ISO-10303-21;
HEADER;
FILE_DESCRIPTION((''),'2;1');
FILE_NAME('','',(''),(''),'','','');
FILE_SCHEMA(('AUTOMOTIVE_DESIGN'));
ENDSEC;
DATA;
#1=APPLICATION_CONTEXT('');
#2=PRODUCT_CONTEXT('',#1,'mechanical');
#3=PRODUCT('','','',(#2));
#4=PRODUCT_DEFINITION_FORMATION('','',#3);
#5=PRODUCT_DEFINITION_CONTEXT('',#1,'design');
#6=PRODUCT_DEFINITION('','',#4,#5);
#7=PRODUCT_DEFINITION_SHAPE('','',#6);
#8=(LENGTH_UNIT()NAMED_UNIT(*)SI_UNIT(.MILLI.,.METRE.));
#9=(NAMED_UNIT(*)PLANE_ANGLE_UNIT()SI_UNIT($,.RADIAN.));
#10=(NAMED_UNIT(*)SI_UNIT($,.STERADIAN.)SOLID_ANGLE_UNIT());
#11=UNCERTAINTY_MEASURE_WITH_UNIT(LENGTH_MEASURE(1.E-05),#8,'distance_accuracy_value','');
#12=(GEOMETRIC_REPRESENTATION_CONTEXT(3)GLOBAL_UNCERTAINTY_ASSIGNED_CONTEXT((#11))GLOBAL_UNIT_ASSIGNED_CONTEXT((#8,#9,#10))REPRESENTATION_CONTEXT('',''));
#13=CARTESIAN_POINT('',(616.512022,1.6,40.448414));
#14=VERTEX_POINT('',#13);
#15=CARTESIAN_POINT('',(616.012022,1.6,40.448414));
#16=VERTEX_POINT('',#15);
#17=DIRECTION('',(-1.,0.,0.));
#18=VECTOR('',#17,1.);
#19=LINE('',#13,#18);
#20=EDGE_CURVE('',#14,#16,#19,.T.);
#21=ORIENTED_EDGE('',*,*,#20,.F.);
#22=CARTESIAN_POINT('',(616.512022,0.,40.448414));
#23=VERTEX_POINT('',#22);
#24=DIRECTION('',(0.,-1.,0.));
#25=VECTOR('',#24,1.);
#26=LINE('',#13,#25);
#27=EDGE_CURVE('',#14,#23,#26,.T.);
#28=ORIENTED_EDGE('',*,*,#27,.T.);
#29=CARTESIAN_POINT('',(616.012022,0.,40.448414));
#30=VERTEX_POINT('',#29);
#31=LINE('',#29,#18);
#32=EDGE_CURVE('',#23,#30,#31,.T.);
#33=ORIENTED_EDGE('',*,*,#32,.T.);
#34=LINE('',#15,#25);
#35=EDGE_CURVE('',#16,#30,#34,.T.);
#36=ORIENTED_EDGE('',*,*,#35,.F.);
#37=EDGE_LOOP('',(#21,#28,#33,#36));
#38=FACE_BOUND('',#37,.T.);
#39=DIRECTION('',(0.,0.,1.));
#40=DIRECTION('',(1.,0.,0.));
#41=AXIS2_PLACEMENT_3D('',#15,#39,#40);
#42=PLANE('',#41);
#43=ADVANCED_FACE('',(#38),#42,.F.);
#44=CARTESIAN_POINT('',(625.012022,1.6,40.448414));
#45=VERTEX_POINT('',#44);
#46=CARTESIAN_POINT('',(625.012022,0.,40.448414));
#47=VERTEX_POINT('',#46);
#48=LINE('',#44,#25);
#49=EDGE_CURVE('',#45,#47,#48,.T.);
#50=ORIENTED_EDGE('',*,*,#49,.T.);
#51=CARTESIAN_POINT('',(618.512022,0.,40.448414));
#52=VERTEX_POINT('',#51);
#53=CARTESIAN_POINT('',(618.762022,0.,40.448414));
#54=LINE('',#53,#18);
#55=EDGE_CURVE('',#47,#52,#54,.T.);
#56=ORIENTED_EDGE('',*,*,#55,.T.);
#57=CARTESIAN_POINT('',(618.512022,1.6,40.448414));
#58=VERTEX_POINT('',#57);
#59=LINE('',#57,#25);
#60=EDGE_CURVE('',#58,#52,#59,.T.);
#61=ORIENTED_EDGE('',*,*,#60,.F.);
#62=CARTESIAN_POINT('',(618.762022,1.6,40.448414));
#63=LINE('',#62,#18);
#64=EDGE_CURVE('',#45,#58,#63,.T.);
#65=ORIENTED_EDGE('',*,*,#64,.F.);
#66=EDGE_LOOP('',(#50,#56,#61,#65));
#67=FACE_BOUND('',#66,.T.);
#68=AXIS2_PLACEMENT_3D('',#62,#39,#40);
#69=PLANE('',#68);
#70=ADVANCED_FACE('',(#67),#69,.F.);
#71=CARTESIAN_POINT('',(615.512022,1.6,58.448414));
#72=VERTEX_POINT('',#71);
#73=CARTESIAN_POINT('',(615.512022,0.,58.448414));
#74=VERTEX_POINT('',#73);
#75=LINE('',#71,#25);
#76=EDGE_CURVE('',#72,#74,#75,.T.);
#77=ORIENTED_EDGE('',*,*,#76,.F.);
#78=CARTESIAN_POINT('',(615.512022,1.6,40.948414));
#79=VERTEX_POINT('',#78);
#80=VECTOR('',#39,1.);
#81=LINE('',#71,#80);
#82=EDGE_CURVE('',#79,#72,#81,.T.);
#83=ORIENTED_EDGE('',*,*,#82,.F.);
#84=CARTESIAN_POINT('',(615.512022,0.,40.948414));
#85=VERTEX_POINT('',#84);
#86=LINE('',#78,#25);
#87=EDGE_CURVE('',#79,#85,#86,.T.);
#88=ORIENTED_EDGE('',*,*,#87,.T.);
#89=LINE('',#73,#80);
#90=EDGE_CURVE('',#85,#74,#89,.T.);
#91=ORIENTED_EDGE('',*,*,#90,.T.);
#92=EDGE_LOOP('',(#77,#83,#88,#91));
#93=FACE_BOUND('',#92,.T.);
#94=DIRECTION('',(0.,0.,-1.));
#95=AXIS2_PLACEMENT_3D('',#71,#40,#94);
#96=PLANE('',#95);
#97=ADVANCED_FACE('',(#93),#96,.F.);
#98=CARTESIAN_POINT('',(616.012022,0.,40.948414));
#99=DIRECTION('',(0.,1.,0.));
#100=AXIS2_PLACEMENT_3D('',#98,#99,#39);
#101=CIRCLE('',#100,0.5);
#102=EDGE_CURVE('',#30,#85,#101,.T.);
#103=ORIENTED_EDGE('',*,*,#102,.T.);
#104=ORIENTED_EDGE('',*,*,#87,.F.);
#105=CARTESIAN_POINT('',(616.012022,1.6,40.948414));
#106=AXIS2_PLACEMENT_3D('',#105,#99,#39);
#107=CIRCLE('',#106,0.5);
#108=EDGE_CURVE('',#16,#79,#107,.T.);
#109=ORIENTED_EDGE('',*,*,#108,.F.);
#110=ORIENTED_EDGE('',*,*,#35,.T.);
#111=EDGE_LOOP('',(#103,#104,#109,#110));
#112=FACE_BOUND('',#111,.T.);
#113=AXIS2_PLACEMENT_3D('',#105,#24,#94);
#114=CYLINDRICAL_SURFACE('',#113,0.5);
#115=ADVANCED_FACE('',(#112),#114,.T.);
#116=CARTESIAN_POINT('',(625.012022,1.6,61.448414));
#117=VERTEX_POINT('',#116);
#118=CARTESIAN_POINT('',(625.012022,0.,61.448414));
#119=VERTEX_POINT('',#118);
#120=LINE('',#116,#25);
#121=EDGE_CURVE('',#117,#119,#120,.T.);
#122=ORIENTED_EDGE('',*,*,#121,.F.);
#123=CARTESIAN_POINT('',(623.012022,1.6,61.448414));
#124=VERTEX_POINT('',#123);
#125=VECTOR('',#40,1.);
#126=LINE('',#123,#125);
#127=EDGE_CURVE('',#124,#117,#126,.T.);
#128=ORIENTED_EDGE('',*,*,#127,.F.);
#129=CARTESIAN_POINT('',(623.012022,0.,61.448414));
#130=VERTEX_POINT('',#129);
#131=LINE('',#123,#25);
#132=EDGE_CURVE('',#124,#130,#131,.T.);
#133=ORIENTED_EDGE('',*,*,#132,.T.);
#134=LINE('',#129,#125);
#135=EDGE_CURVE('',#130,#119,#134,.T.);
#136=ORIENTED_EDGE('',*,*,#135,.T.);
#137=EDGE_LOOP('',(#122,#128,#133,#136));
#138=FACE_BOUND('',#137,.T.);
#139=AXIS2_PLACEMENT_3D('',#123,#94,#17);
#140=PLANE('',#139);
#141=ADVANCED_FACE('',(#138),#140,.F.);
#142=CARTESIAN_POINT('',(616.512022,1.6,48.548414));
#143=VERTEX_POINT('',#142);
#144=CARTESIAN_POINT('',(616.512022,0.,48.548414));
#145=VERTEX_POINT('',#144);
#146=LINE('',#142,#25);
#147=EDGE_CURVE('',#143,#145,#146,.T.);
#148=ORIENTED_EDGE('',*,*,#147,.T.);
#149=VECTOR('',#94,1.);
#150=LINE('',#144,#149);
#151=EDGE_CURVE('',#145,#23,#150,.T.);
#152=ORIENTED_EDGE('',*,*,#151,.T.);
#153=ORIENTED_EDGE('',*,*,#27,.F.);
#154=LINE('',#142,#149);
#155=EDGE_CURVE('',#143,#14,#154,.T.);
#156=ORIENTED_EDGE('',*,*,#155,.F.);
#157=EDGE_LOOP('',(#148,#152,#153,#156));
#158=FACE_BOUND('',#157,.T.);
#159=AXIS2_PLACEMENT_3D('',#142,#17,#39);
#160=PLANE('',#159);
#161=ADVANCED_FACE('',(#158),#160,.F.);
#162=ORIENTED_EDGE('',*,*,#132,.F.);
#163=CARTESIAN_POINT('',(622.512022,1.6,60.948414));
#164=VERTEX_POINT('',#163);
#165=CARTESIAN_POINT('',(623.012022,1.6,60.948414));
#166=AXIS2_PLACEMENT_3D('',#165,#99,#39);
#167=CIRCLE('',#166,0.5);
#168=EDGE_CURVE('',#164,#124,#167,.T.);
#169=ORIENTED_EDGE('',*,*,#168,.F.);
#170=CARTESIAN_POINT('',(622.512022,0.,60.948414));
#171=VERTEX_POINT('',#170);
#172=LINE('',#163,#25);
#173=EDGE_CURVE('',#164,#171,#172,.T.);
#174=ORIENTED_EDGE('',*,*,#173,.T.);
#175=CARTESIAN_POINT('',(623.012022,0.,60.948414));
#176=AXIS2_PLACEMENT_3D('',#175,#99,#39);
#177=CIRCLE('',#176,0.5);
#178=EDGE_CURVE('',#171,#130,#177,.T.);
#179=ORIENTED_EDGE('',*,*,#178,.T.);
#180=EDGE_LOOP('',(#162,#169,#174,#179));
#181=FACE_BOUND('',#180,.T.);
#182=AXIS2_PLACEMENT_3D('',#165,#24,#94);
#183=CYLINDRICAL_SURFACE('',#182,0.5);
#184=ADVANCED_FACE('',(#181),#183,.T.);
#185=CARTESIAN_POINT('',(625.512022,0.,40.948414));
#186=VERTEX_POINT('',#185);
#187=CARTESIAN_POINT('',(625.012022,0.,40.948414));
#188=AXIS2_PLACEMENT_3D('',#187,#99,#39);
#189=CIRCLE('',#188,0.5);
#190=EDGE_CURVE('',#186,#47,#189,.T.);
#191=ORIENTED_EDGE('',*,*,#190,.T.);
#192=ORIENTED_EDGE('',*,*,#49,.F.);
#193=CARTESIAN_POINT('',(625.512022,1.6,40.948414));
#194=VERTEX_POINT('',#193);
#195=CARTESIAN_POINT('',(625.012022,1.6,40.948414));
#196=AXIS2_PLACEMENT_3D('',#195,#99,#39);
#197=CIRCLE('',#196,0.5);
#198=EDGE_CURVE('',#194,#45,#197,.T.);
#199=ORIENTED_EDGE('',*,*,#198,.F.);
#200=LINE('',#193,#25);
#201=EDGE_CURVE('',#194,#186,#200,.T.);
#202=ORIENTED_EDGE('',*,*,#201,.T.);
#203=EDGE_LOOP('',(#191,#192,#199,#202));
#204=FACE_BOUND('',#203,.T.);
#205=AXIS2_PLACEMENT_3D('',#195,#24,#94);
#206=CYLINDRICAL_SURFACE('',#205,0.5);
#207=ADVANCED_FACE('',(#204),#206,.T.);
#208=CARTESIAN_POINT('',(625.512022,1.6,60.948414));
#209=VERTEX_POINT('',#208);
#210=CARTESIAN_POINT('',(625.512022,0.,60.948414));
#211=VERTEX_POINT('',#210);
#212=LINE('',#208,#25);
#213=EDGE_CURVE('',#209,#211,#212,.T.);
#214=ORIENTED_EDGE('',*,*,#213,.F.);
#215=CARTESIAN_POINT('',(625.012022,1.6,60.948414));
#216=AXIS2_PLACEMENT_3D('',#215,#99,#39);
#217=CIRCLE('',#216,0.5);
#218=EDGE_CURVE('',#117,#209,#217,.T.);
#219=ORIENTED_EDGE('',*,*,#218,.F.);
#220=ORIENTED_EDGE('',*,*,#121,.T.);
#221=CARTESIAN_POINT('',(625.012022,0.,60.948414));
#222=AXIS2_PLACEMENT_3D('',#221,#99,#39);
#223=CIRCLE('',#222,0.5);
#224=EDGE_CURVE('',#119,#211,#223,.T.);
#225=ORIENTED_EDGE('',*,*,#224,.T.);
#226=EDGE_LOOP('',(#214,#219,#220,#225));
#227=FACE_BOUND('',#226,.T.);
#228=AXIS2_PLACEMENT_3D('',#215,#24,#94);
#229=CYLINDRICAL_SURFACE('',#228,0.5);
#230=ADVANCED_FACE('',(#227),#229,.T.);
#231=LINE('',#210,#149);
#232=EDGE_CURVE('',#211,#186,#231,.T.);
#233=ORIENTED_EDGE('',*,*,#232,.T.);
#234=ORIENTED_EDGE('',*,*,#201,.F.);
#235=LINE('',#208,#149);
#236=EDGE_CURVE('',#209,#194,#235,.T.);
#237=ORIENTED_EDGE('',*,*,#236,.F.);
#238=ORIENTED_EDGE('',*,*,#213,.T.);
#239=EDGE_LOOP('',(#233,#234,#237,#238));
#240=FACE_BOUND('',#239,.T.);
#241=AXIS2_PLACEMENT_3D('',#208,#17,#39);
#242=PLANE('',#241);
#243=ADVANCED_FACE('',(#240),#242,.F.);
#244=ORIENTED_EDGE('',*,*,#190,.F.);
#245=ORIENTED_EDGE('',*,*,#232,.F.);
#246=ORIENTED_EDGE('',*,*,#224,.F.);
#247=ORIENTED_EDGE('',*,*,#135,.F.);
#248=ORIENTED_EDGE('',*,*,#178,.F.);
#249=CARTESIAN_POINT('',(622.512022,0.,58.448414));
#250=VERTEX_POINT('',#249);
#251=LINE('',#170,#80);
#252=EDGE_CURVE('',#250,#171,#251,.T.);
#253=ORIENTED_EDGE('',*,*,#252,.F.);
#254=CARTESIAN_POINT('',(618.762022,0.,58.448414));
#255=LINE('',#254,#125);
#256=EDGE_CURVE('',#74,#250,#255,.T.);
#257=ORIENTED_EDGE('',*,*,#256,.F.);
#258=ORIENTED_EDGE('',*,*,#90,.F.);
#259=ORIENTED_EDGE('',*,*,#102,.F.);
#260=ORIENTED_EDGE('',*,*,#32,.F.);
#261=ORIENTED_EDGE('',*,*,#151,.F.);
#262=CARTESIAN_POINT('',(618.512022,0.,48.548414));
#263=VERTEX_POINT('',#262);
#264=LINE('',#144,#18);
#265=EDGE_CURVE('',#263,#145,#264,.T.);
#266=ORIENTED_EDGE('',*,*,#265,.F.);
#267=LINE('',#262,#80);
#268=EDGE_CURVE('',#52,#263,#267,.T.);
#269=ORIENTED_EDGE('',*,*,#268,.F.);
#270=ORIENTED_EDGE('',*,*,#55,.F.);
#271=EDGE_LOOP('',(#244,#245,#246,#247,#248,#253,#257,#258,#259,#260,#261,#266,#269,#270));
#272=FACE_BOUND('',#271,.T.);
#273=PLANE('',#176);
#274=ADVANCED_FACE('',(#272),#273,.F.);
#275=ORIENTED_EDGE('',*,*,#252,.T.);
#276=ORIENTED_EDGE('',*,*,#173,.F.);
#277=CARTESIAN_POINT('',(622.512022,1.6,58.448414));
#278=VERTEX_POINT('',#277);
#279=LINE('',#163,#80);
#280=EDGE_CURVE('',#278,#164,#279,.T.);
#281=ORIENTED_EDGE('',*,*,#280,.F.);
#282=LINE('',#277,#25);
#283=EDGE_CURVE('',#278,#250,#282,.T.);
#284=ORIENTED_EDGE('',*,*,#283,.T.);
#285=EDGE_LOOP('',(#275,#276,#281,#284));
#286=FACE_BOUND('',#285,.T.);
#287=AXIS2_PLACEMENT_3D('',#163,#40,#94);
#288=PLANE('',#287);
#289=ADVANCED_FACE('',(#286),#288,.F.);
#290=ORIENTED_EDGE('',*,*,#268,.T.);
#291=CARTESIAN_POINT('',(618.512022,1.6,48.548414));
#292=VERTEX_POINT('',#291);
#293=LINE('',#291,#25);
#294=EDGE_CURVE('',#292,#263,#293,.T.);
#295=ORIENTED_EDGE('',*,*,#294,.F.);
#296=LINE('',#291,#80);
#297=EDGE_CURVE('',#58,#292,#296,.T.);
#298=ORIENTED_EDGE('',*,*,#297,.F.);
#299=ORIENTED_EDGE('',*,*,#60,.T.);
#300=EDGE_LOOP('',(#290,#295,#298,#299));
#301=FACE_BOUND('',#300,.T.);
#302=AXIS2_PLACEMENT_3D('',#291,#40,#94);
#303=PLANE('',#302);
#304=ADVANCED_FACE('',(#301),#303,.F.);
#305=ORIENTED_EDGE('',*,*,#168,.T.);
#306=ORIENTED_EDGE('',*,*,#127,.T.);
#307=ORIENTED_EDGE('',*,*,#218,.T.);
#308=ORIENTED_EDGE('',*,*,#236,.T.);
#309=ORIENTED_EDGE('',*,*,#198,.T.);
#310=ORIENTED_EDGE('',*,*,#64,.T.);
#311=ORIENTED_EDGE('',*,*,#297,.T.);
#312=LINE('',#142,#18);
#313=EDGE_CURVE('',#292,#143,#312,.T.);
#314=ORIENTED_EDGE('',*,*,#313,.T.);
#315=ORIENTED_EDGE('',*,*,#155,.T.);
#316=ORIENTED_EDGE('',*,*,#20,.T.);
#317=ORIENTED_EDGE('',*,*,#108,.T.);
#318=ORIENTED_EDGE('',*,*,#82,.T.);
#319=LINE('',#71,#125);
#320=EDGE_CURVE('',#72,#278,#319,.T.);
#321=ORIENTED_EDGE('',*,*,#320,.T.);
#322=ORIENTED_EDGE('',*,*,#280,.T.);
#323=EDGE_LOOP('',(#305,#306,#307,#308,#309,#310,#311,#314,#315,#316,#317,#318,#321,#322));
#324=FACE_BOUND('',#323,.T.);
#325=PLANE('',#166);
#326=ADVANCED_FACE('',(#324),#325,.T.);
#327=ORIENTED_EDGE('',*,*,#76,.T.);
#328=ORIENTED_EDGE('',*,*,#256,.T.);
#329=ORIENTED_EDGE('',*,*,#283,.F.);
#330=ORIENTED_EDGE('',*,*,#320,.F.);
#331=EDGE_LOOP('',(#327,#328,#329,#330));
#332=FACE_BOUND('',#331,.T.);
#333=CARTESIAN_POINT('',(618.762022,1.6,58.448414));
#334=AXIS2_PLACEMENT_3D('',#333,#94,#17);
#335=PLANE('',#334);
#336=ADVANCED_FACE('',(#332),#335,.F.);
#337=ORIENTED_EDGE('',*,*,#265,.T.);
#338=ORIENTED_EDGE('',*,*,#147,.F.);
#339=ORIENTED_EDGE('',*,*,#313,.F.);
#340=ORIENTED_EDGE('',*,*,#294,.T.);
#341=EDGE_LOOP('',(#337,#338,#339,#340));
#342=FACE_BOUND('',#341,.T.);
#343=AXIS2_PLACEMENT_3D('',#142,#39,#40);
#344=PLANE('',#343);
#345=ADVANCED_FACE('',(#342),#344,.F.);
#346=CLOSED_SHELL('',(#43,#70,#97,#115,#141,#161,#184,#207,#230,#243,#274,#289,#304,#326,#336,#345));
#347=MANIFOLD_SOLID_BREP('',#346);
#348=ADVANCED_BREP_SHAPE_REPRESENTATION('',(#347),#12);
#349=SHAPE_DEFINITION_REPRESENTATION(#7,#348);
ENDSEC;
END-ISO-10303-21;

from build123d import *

# Parameters (mm, degrees)
BOSS_EXTRUDE1_DEPTH = 1.6


with BuildPart() as part:
    # Sketch1 → Boss-Extrude1 (new body)
    with BuildSketch(Plane(origin=(0, 0, 0), x_dir=(1, 0, 0), z_dir=(0, 1, 0))):
        with BuildLine():
            Line((623.01202177, -61.448413556), (625.01202177, -61.448413556))
            ThreePointArc((625.01202177, -61.448413556), (625.36557516, -61.301966947), (625.51202177, -60.948413556))
            Line((625.51202177, -60.948413556), (625.51202177, -40.948413556))
            ThreePointArc((625.51202177, -40.948413556), (625.36557516, -40.594860166), (625.01202177, -40.448413556))
            Line((625.01202177, -40.448413556), (618.76202177, -40.448413556))
            Line((618.76202177, -40.448413556), (618.51202177, -40.448413556))
            Line((618.51202177, -40.448413556), (618.51202177, -48.548413556))
            Line((618.51202177, -48.548413556), (616.51202177, -48.548413556))
            Line((616.51202177, -48.548413556), (616.51202177, -40.448413556))
            Line((616.51202177, -40.448413556), (616.26202177, -40.448413556))
            Line((616.26202177, -40.448413556), (616.01202177, -40.448413556))
            ThreePointArc((616.01202177, -40.448413556), (615.658468379, -40.594860166), (615.51202177, -40.948413556))
            Line((615.51202177, -40.948413556), (615.51202177, -58.448413556))
            Line((615.51202177, -58.448413556), (616.26202177, -58.448413556))
            Line((616.26202177, -58.448413556), (618.76202177, -58.448413556))
            Line((618.76202177, -58.448413556), (622.51202177, -58.448413556))
            Line((622.51202177, -58.448413556), (622.51202177, -60.948413556))
            ThreePointArc((622.51202177, -60.948413556), (622.658468379, -61.301966947), (623.01202177, -61.448413556))
        make_face()
    extrude(amount=BOSS_EXTRUDE1_DEPTH)


solid = part.part
